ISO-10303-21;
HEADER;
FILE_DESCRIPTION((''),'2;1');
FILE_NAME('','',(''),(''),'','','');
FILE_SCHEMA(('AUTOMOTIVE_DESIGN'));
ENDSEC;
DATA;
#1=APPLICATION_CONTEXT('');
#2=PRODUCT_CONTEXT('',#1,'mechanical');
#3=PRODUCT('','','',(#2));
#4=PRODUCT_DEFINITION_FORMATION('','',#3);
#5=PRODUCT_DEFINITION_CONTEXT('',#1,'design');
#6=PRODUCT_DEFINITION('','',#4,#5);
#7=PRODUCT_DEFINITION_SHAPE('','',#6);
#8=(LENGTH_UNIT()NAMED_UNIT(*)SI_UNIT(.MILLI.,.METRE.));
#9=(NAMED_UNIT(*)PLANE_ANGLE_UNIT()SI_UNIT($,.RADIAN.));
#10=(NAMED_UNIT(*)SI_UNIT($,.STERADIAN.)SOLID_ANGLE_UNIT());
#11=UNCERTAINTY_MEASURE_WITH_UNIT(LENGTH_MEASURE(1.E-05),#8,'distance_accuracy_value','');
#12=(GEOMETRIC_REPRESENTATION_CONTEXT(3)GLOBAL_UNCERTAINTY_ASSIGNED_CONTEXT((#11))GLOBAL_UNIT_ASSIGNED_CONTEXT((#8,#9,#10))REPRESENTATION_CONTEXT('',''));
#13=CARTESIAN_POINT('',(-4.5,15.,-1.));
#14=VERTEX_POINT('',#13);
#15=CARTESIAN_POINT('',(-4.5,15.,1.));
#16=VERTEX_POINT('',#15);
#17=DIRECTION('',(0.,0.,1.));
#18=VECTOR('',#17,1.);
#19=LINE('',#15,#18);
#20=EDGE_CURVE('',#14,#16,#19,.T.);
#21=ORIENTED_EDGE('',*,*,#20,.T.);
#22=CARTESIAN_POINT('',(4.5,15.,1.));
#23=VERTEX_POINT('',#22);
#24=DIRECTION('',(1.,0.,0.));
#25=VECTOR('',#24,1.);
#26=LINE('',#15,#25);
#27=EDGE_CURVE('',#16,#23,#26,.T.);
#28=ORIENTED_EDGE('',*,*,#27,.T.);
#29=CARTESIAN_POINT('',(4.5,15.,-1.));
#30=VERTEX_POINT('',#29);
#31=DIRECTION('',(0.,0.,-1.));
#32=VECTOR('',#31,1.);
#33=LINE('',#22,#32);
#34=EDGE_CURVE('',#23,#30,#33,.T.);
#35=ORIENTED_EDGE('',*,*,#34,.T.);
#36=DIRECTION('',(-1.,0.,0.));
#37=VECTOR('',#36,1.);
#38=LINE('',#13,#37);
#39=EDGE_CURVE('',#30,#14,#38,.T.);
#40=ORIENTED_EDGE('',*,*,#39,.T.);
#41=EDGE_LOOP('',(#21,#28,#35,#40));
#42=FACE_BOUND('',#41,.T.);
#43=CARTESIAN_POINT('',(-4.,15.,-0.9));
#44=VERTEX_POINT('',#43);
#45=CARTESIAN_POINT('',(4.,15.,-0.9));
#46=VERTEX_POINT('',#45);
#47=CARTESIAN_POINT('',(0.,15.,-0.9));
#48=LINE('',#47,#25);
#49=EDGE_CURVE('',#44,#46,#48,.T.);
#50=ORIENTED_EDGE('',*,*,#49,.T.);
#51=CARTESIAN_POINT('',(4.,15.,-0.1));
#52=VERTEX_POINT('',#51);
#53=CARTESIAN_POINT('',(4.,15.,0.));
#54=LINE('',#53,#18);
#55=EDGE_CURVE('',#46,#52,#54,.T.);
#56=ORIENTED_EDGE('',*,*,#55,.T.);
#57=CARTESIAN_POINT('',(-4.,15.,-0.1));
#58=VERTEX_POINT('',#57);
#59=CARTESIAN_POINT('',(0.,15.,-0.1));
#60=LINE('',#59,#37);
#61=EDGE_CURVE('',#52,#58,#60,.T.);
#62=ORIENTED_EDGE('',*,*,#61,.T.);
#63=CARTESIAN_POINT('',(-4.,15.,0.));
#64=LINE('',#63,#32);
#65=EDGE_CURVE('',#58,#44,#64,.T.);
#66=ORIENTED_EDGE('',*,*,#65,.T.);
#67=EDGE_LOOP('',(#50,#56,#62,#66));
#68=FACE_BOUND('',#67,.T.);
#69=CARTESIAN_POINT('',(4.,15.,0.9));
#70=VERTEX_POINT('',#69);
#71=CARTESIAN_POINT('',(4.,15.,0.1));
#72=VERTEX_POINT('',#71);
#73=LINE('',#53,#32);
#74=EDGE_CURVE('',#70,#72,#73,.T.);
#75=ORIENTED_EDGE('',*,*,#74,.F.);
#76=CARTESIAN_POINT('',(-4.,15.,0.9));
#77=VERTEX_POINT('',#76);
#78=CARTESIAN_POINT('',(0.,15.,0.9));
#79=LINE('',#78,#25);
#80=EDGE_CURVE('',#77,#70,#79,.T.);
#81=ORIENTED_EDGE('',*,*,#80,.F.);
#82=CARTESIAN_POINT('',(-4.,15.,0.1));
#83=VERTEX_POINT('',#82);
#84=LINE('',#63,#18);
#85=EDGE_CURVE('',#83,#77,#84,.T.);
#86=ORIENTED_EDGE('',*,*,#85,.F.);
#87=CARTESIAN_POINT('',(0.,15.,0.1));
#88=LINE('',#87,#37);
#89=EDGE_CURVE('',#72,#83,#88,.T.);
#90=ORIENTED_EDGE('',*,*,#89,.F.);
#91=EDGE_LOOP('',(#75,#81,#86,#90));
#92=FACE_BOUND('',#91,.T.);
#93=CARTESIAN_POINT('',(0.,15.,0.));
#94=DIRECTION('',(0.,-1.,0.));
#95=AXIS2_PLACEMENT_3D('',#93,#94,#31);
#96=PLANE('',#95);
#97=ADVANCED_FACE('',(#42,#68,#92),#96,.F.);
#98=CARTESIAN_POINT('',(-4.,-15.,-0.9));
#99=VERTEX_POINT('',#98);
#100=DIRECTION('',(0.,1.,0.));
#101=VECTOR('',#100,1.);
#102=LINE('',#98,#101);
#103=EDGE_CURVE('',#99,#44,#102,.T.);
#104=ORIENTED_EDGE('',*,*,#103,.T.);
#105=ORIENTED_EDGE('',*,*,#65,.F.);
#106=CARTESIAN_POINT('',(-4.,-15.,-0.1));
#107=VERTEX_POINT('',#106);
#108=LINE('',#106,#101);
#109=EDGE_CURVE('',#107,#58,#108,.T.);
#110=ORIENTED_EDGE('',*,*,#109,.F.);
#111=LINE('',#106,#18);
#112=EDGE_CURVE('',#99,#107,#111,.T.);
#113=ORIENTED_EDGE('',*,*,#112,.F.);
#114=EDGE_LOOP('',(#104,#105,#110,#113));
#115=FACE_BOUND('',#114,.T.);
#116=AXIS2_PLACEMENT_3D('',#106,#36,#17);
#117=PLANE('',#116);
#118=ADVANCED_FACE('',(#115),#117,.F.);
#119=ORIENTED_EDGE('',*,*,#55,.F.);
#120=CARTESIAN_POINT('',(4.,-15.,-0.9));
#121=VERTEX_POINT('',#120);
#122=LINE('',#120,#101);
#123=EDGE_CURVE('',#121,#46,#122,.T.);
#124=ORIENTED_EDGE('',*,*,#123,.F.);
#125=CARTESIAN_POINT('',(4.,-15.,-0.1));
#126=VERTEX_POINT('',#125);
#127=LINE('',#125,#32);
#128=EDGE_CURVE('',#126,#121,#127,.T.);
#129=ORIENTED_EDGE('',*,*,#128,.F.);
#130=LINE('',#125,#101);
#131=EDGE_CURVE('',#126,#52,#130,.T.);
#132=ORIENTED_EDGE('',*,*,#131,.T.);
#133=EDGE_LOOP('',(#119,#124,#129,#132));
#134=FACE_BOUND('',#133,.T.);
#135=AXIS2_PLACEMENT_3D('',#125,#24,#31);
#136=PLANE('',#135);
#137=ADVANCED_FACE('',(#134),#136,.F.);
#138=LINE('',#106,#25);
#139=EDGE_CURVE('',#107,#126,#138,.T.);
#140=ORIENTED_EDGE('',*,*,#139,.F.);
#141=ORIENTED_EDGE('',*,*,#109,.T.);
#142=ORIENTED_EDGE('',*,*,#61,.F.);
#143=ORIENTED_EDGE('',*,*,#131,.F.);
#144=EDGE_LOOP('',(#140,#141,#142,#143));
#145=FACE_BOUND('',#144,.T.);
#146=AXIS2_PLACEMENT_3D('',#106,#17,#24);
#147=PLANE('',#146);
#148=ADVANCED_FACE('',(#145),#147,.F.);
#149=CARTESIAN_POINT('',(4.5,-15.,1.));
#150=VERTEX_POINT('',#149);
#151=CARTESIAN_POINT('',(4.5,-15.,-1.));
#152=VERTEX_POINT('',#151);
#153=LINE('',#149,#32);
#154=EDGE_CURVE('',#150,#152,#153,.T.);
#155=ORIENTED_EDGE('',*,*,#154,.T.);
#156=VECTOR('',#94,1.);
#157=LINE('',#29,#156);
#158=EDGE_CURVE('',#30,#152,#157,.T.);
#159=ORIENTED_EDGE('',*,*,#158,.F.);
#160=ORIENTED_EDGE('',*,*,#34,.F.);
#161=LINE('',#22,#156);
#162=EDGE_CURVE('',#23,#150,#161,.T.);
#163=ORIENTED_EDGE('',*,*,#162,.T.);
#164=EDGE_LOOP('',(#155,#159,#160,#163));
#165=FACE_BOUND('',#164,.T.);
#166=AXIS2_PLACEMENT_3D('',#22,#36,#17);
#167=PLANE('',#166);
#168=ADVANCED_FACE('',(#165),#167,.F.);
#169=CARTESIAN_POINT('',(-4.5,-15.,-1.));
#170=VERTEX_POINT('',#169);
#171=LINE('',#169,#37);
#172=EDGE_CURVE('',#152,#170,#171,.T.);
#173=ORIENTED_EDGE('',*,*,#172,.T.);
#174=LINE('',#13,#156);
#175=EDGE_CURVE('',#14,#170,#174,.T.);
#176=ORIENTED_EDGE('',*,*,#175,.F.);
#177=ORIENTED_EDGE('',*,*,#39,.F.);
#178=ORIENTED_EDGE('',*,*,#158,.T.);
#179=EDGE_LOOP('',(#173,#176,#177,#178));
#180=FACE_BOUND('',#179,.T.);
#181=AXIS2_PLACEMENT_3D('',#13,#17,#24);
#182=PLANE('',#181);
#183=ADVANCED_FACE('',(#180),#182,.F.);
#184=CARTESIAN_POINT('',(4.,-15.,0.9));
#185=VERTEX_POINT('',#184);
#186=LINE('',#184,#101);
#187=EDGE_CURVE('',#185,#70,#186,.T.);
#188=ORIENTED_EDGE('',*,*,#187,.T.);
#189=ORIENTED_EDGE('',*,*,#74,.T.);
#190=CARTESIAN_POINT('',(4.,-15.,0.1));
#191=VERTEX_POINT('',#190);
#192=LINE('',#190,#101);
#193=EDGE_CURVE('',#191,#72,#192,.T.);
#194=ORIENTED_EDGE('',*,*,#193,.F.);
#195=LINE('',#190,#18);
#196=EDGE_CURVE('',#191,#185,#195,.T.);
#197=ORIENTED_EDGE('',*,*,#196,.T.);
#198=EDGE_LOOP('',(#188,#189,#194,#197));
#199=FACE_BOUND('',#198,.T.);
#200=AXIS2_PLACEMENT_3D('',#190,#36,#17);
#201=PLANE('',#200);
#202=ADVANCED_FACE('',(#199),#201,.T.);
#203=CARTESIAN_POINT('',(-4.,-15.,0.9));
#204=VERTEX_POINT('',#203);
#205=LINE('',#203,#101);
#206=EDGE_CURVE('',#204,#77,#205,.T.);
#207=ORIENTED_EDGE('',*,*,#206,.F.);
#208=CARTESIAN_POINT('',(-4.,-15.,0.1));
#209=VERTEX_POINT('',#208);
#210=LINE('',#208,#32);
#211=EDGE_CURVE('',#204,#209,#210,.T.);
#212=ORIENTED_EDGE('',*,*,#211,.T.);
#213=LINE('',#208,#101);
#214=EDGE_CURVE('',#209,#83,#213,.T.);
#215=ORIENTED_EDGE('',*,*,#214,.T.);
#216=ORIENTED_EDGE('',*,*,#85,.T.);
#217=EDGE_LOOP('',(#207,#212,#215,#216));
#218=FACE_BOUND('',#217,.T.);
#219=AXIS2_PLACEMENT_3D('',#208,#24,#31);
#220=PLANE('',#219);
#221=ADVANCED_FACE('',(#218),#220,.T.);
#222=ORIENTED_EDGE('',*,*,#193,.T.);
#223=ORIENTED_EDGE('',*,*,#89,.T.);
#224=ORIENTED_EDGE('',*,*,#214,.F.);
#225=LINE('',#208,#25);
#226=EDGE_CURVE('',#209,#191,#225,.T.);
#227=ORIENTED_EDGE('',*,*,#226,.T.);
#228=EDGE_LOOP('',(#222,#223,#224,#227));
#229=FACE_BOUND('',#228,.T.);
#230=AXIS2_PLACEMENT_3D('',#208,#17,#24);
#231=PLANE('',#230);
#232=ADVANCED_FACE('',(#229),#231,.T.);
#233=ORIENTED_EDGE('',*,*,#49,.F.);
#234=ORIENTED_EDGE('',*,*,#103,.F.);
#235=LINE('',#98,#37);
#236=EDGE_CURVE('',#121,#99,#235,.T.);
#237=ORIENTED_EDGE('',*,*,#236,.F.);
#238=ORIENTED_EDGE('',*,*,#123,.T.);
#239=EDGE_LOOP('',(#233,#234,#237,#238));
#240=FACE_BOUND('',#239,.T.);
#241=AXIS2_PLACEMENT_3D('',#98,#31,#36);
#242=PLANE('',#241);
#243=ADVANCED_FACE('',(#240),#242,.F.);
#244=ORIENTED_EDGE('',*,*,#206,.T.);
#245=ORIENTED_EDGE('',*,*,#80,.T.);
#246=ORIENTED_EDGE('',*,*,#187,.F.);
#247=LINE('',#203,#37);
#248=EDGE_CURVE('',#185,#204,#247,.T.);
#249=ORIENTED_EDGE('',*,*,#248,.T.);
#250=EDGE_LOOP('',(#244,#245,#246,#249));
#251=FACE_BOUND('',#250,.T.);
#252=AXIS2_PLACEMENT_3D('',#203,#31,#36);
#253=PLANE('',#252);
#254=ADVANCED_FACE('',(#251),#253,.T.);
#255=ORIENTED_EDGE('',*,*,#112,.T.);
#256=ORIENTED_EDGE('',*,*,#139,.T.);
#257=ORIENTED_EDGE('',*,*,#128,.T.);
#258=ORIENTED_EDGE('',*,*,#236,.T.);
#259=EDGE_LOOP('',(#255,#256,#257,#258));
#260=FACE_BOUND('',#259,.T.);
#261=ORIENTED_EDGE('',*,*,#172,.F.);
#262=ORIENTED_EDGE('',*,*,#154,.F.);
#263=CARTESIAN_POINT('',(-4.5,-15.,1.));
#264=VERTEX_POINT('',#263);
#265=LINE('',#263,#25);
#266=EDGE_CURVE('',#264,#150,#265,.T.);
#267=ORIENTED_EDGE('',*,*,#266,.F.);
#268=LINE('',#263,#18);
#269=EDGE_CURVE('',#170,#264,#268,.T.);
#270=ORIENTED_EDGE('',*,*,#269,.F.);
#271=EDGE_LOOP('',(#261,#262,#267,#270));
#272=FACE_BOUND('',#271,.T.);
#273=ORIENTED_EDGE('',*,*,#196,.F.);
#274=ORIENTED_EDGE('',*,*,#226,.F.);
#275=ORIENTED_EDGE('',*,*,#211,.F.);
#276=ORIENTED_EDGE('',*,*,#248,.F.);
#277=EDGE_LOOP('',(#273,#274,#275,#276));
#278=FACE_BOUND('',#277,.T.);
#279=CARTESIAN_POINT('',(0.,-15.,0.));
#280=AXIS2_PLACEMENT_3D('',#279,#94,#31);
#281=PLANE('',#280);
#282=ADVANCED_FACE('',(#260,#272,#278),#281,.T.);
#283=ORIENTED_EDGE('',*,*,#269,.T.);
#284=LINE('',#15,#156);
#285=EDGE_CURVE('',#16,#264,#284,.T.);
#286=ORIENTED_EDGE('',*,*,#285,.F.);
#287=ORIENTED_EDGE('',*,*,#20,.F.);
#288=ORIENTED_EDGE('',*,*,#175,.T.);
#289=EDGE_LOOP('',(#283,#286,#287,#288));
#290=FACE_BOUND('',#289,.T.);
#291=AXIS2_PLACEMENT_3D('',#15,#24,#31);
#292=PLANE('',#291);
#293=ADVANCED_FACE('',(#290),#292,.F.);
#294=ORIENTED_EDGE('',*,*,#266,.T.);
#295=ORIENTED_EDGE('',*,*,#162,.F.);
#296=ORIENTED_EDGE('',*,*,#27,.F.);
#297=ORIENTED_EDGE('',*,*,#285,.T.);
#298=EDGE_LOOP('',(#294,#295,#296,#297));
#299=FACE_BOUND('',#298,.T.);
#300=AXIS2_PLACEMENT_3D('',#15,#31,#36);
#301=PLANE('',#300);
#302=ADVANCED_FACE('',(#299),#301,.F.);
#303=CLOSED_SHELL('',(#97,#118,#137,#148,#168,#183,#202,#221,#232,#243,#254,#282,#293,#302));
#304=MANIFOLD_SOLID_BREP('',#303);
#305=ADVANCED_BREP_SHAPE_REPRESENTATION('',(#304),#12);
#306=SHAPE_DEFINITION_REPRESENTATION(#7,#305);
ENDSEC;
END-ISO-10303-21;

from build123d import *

# Parameters (mm, degrees)
SKETCH1_W           = 9
SKETCH1_H           = 2
BOSS_EXTRUDE1_DEPTH = 15
CUT_EXTRUDE1_START  = -31
SKETCH2_W           = 8
SKETCH2_H           = 0.8
CUT_EXTRUDE1_DEPTH  = 32


with BuildPart() as part:
    # Sketch1 → Boss-Extrude1 (new body, symmetric)
    with BuildSketch(Plane(origin=(0, 0, 0), x_dir=(1, 0, 0), z_dir=(0, 1, 0))):
        Rectangle(SKETCH1_W, SKETCH1_H)
    extrude(amount=BOSS_EXTRUDE1_DEPTH, both=True)

    # Sketch2 → Cut-Extrude1 (cut)
    with BuildSketch(Plane(origin=(0, 15, 0), x_dir=(1, 0, 0), z_dir=(0, 1, 0)).offset(CUT_EXTRUDE1_START)):
        with Locations((0, 0.5)):
            Rectangle(SKETCH2_W, SKETCH2_H)
    cut_extrude1 = extrude(amount=CUT_EXTRUDE1_DEPTH, mode=Mode.SUBTRACT)

    # Mirror1: Cut-Extrude1 across plane
    add(cut_extrude1.mirror(Plane.XY), mode=Mode.SUBTRACT)


solid = part.part
